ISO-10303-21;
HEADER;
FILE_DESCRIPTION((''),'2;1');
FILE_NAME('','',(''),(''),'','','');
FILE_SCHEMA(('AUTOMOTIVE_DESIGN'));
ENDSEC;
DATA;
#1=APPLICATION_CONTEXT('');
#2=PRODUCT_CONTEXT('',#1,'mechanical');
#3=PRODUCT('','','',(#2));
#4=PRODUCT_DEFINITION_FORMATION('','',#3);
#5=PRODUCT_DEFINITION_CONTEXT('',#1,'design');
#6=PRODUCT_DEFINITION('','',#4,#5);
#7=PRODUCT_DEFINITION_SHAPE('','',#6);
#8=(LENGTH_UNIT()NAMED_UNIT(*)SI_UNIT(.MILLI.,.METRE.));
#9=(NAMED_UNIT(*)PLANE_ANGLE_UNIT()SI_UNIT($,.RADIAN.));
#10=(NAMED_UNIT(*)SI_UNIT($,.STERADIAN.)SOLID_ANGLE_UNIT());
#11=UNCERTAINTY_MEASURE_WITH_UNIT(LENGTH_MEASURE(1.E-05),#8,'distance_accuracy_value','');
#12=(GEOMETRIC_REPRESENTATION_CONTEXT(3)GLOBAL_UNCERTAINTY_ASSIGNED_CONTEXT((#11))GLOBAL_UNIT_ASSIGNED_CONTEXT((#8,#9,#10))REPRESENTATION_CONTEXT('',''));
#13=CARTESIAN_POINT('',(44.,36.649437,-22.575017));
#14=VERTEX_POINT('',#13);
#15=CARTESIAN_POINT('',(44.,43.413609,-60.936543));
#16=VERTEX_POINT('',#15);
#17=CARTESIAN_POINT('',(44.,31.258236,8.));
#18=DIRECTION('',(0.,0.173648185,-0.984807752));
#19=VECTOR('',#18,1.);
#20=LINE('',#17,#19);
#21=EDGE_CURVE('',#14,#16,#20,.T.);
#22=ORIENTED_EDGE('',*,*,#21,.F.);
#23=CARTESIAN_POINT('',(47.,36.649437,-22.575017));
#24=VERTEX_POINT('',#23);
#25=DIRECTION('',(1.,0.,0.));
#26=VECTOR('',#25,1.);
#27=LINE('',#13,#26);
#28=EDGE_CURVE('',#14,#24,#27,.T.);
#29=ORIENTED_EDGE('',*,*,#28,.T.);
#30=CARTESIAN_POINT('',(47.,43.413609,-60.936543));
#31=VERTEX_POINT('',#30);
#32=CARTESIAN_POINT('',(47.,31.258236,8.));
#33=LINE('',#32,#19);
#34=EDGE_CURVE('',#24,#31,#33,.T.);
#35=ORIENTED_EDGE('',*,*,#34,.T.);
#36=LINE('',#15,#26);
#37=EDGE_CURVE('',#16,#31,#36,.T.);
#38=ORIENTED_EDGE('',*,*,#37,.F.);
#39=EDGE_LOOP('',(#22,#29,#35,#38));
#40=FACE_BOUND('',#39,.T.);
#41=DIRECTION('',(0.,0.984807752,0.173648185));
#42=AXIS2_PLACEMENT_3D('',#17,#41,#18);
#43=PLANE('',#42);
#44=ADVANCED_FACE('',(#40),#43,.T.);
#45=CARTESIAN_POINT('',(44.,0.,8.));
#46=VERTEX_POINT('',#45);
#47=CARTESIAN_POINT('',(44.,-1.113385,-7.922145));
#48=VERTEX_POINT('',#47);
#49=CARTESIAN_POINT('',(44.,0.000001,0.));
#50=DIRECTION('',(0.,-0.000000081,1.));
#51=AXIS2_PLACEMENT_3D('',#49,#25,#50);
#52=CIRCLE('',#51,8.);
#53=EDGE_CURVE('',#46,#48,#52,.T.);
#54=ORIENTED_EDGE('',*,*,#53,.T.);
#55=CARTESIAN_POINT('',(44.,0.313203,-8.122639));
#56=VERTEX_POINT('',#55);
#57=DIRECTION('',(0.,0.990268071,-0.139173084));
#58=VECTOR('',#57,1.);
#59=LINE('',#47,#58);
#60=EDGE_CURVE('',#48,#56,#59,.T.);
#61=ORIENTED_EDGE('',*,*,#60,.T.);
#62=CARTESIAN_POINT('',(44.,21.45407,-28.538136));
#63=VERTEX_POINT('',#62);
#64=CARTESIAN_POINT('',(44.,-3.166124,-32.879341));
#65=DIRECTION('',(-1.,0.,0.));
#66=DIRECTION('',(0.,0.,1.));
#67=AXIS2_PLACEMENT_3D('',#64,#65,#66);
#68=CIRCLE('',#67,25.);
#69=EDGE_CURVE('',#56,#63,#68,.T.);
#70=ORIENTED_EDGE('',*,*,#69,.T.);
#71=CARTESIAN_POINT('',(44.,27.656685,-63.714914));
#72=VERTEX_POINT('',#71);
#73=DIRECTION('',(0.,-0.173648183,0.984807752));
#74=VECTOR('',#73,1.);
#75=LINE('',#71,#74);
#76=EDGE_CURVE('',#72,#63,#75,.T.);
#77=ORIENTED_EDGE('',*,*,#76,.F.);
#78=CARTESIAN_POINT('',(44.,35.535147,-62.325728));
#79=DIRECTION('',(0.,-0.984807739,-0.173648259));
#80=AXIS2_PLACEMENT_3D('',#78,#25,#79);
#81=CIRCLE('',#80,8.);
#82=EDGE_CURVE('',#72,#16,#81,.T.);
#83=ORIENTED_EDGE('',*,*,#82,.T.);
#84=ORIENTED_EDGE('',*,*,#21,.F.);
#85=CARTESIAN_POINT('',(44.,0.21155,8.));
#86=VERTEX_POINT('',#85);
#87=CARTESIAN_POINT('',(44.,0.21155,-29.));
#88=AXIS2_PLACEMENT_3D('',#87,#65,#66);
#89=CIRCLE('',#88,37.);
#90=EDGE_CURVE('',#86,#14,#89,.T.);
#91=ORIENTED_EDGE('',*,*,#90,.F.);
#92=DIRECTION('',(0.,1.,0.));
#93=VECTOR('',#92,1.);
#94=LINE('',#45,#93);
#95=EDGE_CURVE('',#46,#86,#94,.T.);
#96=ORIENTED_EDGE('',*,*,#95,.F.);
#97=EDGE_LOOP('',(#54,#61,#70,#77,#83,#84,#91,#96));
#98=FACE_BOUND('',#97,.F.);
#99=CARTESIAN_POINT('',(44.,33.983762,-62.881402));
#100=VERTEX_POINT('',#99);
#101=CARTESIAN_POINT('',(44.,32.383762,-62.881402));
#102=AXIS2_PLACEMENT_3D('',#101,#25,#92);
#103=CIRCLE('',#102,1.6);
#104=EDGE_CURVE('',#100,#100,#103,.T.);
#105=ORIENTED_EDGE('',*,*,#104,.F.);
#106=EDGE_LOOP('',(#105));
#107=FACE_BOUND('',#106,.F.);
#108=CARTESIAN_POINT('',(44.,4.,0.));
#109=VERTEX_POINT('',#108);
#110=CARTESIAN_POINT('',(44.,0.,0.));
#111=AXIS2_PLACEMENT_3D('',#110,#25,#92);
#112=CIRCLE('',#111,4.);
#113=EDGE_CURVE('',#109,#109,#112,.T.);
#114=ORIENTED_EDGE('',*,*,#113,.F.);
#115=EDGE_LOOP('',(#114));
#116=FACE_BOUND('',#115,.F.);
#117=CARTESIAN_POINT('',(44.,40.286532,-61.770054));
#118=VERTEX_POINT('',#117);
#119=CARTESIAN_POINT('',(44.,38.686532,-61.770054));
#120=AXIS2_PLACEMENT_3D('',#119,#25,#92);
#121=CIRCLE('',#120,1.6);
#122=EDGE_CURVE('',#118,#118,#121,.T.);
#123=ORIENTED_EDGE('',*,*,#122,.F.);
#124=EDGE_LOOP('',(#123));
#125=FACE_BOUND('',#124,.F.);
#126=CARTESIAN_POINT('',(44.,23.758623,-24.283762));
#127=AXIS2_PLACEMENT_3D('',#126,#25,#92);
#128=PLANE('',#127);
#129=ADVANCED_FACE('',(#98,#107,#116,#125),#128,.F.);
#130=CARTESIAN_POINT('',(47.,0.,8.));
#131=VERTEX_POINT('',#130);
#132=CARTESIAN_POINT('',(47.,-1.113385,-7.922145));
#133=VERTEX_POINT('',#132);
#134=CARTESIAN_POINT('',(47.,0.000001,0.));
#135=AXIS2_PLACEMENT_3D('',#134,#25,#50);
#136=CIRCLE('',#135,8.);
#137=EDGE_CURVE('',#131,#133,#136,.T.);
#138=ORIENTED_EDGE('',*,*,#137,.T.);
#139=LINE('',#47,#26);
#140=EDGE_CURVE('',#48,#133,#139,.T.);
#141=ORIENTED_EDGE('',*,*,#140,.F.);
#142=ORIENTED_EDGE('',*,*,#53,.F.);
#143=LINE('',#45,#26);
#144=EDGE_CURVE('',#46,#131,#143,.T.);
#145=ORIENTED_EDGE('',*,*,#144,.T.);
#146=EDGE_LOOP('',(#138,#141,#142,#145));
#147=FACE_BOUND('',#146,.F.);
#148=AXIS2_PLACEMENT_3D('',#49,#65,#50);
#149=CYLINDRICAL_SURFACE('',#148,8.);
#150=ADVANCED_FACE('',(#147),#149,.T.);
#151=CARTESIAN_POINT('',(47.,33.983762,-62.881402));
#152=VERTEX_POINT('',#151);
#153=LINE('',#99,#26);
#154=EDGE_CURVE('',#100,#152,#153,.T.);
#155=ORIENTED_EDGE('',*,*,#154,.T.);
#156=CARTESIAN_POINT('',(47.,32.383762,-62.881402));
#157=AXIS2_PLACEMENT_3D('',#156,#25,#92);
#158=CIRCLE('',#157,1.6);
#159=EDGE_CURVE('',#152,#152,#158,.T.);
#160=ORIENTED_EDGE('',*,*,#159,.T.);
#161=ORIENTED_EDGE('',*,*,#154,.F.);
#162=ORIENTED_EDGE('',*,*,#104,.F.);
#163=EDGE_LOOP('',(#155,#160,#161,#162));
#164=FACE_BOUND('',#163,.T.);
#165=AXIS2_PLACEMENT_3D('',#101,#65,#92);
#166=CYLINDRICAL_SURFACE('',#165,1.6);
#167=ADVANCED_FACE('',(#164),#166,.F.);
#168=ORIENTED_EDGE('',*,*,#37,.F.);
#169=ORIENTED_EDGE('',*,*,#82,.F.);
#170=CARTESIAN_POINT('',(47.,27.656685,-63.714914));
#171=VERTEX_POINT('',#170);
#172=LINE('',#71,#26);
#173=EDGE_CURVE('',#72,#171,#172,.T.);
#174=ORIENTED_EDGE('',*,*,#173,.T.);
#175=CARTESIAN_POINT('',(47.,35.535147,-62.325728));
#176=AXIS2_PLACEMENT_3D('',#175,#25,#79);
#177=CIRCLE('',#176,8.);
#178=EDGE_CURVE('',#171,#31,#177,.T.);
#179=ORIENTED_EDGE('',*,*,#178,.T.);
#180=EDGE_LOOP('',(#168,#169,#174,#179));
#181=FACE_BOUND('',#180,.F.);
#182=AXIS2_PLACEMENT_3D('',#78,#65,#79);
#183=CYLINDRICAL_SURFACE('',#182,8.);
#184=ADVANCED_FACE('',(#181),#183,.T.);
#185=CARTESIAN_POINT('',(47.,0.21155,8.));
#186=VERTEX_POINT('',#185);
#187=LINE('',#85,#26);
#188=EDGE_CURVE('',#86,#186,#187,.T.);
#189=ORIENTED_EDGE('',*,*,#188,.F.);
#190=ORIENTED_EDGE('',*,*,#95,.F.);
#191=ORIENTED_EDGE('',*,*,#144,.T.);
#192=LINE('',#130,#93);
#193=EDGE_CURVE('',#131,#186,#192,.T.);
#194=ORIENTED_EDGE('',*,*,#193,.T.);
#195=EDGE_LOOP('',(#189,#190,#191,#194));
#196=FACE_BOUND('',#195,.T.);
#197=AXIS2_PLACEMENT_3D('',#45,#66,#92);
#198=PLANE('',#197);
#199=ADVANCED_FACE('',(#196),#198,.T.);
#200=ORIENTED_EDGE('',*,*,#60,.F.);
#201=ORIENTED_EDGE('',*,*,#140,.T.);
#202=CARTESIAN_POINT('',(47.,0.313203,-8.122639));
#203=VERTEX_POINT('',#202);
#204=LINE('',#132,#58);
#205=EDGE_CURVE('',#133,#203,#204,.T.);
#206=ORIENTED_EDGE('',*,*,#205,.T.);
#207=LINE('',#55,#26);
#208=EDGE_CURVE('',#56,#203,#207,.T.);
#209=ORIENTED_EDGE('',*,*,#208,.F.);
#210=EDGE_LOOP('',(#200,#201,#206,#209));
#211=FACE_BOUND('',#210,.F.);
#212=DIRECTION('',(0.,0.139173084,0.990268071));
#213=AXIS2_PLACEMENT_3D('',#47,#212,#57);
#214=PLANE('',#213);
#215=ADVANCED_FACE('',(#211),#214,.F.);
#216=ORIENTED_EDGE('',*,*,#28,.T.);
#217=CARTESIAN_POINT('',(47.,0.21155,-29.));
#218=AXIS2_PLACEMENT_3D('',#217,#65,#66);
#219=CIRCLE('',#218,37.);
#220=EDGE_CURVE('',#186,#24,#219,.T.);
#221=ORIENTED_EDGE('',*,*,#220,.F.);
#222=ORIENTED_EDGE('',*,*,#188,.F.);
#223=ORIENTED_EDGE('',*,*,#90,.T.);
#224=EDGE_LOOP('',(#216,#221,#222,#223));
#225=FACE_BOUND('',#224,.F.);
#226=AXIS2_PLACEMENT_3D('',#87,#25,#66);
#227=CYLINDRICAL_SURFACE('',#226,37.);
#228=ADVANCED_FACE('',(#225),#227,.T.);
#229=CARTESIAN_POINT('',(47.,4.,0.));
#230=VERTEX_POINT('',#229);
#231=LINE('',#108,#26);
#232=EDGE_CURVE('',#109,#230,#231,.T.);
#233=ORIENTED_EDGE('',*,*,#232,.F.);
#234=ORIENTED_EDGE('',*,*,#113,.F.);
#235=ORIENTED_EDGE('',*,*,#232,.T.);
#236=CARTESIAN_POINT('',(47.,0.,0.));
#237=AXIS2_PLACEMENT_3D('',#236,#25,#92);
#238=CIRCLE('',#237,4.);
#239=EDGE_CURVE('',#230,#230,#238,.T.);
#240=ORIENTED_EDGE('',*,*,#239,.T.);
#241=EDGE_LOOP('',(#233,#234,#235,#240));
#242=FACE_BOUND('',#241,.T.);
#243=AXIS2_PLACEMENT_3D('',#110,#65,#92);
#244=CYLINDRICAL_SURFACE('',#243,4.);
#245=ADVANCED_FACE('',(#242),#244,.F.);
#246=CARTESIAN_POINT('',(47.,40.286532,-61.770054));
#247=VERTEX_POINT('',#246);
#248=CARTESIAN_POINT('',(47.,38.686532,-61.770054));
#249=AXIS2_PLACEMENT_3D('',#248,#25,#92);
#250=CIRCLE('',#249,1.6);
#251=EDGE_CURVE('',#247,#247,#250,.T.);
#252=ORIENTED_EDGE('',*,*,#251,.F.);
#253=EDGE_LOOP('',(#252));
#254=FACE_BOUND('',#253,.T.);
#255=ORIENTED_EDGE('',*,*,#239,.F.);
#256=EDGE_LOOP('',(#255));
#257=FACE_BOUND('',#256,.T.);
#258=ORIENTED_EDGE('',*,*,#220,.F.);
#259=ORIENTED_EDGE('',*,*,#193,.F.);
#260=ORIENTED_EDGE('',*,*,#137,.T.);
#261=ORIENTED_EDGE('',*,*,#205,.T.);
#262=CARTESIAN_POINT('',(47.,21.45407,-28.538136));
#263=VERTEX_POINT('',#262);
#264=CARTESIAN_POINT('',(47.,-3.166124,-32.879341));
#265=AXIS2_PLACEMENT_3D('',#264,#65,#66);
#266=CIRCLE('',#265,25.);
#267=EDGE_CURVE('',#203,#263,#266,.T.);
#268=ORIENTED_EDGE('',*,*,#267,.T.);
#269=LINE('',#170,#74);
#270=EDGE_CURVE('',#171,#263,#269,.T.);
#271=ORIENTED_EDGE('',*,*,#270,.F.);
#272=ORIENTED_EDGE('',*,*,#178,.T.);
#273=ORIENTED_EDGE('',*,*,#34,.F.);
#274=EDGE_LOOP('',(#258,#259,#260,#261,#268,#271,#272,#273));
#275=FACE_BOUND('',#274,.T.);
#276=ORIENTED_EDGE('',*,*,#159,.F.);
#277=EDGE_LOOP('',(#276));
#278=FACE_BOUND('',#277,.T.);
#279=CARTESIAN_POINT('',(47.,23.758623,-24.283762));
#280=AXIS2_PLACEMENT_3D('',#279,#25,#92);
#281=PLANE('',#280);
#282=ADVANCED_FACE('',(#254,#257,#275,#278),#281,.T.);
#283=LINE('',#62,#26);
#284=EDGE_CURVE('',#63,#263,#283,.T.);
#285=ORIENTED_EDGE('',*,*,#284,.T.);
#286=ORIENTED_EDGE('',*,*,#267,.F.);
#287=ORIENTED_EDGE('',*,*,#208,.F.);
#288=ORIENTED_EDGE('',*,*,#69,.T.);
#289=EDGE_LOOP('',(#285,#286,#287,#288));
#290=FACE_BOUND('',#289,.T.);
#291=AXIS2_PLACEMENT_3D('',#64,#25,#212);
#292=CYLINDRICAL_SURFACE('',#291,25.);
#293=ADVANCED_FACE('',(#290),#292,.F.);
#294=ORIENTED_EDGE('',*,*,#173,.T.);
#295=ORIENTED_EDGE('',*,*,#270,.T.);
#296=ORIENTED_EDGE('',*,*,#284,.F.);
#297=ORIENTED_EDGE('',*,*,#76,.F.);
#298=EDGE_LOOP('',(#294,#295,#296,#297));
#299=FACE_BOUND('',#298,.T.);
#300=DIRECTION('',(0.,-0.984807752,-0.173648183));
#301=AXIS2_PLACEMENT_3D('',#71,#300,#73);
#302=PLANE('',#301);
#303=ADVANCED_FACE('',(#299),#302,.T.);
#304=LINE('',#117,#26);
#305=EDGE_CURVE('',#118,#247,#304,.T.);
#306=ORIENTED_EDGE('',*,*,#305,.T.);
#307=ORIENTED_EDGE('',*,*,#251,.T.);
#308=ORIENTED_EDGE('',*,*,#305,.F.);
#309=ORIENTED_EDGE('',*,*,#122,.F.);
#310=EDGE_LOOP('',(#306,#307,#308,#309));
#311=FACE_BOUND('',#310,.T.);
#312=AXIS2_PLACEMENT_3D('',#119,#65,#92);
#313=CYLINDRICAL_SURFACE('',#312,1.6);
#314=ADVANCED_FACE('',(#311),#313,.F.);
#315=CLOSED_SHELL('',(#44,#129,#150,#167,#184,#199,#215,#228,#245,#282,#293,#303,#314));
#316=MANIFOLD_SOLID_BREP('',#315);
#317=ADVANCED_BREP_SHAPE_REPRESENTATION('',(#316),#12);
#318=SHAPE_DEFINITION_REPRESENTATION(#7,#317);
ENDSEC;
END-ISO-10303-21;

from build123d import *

# Parameters (mm, degrees)
SKETCH_R    = 4
SKETCH_R_2  = 1.6
PAD_DEPTH   = 3
FILLET_R    = 25
FILLET012_R = 37


with BuildPart() as part:
    # Sketch → Pad (new body)
    with BuildSketch(Plane.YZ):
        with BuildLine():
            ThreePointArc((0, 8), (-7.980512, 0.558052), (-1.113385, -7.922145))
            Line((-1.113385, -7.922145), (18.3, -10.650518))
            Line((27.656685, -63.714914), (18.3, -10.650518))
            ThreePointArc((27.656685, -63.714914), (36.924332, -70.20419), (43.413609, -60.936543))
            Line((31.258236, 8), (43.413609, -60.936543))
            Line((0, 8), (31.258236, 8))
        make_face()
        Circle(SKETCH_R, mode=Mode.SUBTRACT)
        with Locations((32.383762, -62.881402)):
            Circle(SKETCH_R_2, mode=Mode.SUBTRACT)
        with Locations((38.686532, -61.770054)):
            Circle(SKETCH_R_2, mode=Mode.SUBTRACT)
    extrude(amount=PAD_DEPTH)

    # Fillet
    fillet_edges = [part.edges().sort_by_distance(p)[0] for p in [
        (1.5, 18.3, -10.650518),
    ]]
    fillet(fillet_edges, radius=FILLET_R)

    # Fillet012
    fillet012_edges = [part.edges().sort_by_distance(p)[0] for p in [
        (1.5, 31.258236, 8),
    ]]
    fillet(fillet012_edges, radius=FILLET012_R)


with BuildPart() as part_1:
    # Body placement: moved
    add(part.part.moved(Location((44, 0, 0))))


solid = part_1.part
